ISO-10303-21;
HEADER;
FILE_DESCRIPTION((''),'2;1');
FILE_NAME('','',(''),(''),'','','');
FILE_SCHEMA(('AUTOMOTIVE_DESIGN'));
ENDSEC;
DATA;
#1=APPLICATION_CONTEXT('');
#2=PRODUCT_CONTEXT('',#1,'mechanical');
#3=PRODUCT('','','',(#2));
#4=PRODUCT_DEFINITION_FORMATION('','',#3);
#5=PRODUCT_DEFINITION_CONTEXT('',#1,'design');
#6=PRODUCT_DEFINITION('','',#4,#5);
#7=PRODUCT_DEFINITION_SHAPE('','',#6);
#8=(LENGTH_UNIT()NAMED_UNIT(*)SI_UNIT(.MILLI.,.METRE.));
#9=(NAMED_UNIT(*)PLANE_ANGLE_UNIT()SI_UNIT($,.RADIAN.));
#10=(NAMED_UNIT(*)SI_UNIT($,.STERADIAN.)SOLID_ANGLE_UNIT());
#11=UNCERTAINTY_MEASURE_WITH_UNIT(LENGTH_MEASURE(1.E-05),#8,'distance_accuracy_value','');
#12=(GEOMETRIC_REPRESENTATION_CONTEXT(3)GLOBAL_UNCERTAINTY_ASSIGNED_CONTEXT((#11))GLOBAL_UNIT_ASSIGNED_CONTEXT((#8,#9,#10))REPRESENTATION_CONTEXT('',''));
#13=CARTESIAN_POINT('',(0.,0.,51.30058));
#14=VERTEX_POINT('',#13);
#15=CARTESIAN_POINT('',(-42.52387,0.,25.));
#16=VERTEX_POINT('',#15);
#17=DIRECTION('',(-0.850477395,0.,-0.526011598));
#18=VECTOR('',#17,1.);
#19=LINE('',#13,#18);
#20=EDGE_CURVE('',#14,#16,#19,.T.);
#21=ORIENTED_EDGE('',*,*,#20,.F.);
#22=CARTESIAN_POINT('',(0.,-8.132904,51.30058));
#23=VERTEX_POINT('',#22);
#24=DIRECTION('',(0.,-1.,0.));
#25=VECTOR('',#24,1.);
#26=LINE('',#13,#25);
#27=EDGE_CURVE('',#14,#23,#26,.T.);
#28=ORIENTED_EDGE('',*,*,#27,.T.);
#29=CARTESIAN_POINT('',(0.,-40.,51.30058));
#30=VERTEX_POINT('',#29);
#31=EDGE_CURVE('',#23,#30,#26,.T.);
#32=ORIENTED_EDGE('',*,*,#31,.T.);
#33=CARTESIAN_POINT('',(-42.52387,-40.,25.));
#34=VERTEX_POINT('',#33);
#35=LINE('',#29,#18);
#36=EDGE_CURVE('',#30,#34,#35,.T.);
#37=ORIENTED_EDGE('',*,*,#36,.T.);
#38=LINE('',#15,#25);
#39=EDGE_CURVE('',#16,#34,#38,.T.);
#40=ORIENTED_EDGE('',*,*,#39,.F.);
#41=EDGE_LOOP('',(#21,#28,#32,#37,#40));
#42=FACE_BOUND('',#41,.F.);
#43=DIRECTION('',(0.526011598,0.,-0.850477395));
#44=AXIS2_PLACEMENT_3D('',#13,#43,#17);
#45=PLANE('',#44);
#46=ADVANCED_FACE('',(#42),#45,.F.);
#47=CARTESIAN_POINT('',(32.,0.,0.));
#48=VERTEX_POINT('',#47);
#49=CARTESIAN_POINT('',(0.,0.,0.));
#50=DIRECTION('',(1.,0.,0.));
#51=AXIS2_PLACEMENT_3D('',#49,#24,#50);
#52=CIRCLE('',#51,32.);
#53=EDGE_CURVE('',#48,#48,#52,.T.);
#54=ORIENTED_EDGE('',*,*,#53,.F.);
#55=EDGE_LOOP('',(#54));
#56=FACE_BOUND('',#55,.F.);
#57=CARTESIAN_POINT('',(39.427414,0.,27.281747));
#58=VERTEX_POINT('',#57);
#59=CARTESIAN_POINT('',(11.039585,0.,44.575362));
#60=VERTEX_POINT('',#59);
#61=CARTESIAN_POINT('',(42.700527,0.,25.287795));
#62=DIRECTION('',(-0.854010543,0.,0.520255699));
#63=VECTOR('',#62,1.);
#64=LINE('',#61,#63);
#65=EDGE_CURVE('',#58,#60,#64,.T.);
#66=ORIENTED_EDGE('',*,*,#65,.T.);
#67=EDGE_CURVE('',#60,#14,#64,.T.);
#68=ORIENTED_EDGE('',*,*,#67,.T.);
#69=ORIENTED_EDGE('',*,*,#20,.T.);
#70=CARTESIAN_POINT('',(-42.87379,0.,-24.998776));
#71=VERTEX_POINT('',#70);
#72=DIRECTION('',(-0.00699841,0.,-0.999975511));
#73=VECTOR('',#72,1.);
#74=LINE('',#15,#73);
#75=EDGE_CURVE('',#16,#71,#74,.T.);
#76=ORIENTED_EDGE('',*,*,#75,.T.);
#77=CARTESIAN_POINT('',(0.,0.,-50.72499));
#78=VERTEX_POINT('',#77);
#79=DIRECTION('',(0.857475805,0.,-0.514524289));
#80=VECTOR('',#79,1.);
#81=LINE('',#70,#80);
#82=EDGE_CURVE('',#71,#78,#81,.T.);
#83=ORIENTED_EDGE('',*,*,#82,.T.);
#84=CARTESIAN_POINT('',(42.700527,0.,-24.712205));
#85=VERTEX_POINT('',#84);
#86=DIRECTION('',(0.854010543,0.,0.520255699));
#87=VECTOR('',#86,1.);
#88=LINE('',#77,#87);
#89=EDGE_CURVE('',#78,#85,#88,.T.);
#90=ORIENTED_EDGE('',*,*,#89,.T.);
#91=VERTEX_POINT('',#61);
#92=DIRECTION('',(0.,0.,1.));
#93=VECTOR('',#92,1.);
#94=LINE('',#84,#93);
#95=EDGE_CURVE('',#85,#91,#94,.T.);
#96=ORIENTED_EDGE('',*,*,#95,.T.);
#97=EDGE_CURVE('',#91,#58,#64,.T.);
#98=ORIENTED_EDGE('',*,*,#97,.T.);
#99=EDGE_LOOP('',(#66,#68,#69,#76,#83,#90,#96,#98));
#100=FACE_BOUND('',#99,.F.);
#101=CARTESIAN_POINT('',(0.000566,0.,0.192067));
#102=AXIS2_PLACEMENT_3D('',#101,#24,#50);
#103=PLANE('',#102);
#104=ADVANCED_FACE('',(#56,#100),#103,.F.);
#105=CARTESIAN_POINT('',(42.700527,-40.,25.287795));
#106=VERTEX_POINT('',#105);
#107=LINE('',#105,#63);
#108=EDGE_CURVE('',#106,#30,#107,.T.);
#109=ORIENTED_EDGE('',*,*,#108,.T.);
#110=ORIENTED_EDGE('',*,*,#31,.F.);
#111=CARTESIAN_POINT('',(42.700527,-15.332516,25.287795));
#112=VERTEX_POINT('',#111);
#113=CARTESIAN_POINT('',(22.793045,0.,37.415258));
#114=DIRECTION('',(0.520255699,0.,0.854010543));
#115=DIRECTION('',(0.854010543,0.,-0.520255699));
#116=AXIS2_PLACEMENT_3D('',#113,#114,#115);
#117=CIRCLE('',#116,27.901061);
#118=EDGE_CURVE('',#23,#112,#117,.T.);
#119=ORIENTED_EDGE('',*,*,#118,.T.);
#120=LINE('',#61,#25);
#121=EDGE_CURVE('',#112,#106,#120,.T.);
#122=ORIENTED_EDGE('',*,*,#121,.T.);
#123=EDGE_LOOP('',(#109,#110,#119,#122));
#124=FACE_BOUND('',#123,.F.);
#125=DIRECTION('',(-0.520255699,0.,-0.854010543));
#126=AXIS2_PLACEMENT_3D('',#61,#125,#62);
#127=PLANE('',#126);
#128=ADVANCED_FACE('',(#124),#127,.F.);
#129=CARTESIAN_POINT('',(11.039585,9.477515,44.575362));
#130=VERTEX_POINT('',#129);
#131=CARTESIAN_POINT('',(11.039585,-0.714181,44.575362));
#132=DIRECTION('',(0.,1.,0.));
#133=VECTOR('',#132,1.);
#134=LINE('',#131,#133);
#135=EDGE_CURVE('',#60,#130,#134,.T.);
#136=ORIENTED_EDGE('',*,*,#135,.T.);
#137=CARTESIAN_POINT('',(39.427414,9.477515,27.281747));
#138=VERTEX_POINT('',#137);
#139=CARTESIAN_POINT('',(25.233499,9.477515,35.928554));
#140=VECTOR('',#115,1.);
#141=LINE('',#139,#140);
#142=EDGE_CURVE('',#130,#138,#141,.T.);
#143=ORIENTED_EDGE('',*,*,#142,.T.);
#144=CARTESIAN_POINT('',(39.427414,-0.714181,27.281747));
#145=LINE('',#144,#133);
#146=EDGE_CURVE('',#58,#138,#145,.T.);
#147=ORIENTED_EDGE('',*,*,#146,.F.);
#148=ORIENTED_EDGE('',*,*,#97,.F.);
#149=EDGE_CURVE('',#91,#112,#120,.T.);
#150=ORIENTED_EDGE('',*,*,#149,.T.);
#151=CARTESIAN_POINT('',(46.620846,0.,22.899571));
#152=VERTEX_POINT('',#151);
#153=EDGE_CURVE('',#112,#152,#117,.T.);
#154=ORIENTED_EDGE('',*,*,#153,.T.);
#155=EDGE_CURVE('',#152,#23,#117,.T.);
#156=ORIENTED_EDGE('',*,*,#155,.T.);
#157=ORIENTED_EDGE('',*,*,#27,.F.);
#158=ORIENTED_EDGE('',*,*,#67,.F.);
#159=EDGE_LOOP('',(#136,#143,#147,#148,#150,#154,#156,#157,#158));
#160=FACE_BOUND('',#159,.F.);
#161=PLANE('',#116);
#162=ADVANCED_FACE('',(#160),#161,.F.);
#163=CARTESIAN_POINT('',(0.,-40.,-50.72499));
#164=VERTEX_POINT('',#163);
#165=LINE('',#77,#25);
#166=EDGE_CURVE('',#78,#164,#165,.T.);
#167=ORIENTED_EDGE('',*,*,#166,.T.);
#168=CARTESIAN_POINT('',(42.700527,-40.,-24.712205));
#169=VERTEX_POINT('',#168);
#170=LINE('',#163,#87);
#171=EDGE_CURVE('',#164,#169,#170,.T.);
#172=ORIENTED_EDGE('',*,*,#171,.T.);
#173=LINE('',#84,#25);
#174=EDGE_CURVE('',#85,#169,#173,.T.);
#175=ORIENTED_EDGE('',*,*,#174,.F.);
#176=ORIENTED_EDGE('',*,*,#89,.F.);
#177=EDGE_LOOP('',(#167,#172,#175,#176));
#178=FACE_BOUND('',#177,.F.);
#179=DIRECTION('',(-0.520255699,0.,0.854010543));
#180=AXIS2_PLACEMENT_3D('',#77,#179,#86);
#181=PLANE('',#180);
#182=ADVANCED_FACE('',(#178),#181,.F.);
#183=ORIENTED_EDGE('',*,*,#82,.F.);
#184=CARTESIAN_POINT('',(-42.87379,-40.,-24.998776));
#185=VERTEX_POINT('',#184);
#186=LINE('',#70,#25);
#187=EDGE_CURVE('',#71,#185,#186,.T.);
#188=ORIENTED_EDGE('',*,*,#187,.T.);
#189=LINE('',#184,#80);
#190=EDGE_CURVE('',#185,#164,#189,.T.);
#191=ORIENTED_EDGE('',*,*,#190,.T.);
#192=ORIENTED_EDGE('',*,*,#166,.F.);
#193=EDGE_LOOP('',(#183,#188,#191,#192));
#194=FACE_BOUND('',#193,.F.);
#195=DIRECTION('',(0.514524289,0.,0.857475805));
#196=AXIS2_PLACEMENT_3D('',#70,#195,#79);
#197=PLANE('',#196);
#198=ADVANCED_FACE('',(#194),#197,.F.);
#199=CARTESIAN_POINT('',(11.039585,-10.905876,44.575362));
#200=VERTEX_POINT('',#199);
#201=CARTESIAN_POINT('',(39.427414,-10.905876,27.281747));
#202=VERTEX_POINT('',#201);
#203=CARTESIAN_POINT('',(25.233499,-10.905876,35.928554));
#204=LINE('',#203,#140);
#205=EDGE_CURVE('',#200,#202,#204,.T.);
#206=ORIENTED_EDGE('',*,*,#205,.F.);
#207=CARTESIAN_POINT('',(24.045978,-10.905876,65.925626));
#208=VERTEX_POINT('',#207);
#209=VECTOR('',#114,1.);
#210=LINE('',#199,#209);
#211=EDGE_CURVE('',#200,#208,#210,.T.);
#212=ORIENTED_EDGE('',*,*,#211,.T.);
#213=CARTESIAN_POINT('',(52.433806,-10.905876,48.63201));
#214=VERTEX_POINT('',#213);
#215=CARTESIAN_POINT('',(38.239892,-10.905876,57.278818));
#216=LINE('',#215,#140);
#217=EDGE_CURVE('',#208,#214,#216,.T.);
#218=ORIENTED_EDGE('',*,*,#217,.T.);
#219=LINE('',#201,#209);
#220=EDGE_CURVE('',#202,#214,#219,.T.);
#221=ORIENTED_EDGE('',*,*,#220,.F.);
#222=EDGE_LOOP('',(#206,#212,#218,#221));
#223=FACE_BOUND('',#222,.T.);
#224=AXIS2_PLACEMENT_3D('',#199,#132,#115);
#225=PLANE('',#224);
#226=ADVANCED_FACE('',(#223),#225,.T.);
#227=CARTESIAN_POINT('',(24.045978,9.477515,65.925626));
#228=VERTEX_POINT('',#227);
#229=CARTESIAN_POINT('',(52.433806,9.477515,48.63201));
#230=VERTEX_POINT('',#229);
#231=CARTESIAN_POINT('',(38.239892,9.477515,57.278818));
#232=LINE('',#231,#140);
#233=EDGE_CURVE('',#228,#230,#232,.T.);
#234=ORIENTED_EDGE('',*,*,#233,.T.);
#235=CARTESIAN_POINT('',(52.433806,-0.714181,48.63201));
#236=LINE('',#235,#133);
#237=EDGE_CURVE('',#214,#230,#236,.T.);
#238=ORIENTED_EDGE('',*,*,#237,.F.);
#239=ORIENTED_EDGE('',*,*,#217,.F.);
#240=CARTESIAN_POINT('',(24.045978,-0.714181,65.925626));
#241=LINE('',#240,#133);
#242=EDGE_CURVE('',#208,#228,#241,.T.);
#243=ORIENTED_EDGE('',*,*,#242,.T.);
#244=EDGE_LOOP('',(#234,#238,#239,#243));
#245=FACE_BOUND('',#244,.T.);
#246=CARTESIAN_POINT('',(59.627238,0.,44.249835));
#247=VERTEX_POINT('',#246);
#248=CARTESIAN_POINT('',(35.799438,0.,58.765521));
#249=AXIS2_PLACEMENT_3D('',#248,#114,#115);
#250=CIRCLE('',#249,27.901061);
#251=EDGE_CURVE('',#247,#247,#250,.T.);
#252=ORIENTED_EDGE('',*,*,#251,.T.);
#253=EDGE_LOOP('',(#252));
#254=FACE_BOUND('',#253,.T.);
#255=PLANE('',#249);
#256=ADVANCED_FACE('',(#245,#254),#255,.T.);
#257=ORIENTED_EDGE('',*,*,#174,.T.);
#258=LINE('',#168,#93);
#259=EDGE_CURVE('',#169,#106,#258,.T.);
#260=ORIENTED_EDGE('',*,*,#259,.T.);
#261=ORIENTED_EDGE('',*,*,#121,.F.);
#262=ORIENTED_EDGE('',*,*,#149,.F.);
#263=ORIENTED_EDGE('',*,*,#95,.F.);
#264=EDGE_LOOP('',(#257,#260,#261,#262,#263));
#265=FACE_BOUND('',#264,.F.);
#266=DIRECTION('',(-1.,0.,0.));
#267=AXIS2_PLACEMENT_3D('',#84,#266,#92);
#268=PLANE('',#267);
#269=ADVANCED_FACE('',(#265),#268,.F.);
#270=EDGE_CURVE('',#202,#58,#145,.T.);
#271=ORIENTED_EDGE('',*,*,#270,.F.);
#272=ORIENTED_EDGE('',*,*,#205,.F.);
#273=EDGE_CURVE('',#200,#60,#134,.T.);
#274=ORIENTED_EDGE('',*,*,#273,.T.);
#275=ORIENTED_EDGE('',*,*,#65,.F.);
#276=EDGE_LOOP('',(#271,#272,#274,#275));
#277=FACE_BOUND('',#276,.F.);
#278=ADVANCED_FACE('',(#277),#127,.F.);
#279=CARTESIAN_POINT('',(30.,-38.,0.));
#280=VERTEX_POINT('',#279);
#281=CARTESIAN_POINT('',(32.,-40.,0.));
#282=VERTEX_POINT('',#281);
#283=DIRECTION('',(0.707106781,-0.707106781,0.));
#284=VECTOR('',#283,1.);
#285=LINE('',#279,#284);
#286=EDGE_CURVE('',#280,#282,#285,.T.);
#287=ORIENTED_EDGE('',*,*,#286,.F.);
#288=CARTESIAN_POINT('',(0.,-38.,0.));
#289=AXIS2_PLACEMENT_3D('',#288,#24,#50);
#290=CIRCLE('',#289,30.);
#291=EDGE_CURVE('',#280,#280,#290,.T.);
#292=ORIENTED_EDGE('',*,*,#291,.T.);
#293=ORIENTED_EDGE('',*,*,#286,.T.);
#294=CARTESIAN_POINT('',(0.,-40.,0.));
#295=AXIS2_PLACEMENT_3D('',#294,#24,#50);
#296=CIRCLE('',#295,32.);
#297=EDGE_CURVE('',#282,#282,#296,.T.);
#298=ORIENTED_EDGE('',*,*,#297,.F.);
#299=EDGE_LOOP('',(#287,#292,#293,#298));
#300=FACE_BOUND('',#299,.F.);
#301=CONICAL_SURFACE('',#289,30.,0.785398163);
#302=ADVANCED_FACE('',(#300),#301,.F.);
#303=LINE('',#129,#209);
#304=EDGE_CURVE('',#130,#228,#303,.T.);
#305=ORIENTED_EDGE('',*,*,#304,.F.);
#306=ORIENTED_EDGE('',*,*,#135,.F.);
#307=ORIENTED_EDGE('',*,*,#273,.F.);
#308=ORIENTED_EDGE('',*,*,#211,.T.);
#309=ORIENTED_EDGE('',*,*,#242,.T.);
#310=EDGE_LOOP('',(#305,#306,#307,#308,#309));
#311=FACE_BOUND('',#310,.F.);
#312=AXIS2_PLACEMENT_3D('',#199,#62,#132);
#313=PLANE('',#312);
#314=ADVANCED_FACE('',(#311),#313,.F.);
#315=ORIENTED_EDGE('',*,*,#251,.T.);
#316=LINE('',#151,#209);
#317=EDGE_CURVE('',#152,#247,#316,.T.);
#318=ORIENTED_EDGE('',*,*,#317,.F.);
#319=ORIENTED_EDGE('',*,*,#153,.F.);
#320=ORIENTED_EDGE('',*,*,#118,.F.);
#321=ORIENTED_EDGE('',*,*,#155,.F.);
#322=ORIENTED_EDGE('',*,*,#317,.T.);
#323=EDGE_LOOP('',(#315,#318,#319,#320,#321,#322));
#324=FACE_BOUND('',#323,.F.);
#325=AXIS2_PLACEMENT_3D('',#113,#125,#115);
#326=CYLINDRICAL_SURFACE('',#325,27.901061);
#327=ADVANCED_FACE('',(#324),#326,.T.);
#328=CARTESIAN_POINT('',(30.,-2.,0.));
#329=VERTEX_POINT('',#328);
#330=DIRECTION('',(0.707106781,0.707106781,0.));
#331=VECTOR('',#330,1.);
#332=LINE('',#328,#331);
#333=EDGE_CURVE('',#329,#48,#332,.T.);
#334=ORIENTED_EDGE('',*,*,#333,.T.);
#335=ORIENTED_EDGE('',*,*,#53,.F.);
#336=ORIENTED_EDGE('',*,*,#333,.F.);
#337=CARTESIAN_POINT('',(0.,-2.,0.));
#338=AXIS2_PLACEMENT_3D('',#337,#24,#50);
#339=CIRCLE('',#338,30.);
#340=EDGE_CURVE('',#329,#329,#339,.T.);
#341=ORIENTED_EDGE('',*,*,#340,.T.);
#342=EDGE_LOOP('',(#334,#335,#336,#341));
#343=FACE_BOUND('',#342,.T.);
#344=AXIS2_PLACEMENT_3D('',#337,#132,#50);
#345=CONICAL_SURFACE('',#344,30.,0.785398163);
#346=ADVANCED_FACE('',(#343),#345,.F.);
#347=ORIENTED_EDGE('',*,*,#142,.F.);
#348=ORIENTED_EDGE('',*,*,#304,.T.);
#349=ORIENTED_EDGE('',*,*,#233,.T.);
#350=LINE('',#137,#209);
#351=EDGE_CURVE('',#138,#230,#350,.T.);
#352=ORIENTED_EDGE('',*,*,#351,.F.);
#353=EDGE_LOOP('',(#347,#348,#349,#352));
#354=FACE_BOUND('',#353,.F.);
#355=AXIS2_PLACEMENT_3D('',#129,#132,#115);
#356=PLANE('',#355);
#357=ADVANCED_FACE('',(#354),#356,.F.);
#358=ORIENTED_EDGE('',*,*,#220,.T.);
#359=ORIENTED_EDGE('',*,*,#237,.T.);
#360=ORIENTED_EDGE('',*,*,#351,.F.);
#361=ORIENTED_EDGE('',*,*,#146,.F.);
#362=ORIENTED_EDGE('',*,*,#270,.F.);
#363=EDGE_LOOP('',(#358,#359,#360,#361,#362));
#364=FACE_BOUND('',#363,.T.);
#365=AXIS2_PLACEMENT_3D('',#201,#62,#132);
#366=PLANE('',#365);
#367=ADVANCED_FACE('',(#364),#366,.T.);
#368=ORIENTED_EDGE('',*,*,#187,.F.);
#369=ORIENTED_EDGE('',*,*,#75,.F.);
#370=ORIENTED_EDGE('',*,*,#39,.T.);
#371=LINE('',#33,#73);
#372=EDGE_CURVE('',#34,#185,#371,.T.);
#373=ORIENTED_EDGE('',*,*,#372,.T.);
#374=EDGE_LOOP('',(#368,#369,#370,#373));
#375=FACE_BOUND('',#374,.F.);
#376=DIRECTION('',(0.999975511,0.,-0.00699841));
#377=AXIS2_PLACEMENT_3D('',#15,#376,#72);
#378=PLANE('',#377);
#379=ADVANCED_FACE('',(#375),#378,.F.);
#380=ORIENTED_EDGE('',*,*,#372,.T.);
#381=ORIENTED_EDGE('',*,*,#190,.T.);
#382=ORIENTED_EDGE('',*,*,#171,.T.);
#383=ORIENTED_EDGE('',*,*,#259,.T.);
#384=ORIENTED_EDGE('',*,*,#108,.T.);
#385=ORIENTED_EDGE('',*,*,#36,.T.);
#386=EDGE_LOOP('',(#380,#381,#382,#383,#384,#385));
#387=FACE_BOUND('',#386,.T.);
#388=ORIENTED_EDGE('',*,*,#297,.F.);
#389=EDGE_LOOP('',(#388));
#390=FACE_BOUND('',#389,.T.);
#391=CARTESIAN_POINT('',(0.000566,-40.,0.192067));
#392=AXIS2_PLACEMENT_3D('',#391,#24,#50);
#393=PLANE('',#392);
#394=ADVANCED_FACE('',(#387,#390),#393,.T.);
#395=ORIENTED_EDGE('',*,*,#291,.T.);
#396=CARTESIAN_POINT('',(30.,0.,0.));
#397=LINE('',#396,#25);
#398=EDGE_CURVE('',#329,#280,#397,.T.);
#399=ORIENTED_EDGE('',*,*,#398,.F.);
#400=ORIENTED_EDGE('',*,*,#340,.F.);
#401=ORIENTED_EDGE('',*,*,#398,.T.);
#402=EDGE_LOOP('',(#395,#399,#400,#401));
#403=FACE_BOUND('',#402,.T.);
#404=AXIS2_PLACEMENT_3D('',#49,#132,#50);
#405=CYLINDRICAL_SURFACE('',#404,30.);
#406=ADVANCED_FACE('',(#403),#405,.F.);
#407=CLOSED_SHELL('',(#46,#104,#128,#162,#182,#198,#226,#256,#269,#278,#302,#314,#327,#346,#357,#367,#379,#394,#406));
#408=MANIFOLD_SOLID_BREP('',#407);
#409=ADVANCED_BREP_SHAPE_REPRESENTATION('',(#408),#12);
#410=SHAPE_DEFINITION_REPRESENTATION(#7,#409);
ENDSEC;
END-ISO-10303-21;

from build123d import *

# Parameters (mm, degrees)
F0_R     = 30
F1_DEPTH = 40
F2_SIZE  = 2
F3_R     = 27.9010613337
F3_W     = 33.2406070083
F3_H     = 20.383390598
F4_DEPTH = 25


with BuildPart() as f1:
    # F0 (on Front) → F1 (new body)
    with BuildSketch(Plane.XZ):
        Polygon((0, 51.3005799085), (-42.5238697261, 25), (-42.8737902332, -24.9987755414), (0, -50.724990013), (42.7005271465, -24.7122050523), (42.7005271465, 25.2877949477), align=None)
        Circle(F0_R, mode=Mode.SUBTRACT)
    extrude(amount=F1_DEPTH)

    # F2
    f2_edges = [f1.edges().sort_by_distance(p)[0] for p in [
        (-30, -40, 0),
        (-30, 0, 0),
    ]]
    chamfer(f2_edges, length=F2_SIZE)

    # F3 (on face) → F4 (join)
    with BuildSketch(Plane(origin=(22.7930452708, 0, 37.4152575284), x_dir=(0.8540105429, 0, -0.5202556992), z_dir=(0.5202556992, 0, 0.8540105429))):
        Circle(F3_R)
        with Locations((2.8576394543, -0.7141805254)):
            Rectangle(F3_W, F3_H, mode=Mode.SUBTRACT)
    extrude(amount=F4_DEPTH)


solid = f1.part
